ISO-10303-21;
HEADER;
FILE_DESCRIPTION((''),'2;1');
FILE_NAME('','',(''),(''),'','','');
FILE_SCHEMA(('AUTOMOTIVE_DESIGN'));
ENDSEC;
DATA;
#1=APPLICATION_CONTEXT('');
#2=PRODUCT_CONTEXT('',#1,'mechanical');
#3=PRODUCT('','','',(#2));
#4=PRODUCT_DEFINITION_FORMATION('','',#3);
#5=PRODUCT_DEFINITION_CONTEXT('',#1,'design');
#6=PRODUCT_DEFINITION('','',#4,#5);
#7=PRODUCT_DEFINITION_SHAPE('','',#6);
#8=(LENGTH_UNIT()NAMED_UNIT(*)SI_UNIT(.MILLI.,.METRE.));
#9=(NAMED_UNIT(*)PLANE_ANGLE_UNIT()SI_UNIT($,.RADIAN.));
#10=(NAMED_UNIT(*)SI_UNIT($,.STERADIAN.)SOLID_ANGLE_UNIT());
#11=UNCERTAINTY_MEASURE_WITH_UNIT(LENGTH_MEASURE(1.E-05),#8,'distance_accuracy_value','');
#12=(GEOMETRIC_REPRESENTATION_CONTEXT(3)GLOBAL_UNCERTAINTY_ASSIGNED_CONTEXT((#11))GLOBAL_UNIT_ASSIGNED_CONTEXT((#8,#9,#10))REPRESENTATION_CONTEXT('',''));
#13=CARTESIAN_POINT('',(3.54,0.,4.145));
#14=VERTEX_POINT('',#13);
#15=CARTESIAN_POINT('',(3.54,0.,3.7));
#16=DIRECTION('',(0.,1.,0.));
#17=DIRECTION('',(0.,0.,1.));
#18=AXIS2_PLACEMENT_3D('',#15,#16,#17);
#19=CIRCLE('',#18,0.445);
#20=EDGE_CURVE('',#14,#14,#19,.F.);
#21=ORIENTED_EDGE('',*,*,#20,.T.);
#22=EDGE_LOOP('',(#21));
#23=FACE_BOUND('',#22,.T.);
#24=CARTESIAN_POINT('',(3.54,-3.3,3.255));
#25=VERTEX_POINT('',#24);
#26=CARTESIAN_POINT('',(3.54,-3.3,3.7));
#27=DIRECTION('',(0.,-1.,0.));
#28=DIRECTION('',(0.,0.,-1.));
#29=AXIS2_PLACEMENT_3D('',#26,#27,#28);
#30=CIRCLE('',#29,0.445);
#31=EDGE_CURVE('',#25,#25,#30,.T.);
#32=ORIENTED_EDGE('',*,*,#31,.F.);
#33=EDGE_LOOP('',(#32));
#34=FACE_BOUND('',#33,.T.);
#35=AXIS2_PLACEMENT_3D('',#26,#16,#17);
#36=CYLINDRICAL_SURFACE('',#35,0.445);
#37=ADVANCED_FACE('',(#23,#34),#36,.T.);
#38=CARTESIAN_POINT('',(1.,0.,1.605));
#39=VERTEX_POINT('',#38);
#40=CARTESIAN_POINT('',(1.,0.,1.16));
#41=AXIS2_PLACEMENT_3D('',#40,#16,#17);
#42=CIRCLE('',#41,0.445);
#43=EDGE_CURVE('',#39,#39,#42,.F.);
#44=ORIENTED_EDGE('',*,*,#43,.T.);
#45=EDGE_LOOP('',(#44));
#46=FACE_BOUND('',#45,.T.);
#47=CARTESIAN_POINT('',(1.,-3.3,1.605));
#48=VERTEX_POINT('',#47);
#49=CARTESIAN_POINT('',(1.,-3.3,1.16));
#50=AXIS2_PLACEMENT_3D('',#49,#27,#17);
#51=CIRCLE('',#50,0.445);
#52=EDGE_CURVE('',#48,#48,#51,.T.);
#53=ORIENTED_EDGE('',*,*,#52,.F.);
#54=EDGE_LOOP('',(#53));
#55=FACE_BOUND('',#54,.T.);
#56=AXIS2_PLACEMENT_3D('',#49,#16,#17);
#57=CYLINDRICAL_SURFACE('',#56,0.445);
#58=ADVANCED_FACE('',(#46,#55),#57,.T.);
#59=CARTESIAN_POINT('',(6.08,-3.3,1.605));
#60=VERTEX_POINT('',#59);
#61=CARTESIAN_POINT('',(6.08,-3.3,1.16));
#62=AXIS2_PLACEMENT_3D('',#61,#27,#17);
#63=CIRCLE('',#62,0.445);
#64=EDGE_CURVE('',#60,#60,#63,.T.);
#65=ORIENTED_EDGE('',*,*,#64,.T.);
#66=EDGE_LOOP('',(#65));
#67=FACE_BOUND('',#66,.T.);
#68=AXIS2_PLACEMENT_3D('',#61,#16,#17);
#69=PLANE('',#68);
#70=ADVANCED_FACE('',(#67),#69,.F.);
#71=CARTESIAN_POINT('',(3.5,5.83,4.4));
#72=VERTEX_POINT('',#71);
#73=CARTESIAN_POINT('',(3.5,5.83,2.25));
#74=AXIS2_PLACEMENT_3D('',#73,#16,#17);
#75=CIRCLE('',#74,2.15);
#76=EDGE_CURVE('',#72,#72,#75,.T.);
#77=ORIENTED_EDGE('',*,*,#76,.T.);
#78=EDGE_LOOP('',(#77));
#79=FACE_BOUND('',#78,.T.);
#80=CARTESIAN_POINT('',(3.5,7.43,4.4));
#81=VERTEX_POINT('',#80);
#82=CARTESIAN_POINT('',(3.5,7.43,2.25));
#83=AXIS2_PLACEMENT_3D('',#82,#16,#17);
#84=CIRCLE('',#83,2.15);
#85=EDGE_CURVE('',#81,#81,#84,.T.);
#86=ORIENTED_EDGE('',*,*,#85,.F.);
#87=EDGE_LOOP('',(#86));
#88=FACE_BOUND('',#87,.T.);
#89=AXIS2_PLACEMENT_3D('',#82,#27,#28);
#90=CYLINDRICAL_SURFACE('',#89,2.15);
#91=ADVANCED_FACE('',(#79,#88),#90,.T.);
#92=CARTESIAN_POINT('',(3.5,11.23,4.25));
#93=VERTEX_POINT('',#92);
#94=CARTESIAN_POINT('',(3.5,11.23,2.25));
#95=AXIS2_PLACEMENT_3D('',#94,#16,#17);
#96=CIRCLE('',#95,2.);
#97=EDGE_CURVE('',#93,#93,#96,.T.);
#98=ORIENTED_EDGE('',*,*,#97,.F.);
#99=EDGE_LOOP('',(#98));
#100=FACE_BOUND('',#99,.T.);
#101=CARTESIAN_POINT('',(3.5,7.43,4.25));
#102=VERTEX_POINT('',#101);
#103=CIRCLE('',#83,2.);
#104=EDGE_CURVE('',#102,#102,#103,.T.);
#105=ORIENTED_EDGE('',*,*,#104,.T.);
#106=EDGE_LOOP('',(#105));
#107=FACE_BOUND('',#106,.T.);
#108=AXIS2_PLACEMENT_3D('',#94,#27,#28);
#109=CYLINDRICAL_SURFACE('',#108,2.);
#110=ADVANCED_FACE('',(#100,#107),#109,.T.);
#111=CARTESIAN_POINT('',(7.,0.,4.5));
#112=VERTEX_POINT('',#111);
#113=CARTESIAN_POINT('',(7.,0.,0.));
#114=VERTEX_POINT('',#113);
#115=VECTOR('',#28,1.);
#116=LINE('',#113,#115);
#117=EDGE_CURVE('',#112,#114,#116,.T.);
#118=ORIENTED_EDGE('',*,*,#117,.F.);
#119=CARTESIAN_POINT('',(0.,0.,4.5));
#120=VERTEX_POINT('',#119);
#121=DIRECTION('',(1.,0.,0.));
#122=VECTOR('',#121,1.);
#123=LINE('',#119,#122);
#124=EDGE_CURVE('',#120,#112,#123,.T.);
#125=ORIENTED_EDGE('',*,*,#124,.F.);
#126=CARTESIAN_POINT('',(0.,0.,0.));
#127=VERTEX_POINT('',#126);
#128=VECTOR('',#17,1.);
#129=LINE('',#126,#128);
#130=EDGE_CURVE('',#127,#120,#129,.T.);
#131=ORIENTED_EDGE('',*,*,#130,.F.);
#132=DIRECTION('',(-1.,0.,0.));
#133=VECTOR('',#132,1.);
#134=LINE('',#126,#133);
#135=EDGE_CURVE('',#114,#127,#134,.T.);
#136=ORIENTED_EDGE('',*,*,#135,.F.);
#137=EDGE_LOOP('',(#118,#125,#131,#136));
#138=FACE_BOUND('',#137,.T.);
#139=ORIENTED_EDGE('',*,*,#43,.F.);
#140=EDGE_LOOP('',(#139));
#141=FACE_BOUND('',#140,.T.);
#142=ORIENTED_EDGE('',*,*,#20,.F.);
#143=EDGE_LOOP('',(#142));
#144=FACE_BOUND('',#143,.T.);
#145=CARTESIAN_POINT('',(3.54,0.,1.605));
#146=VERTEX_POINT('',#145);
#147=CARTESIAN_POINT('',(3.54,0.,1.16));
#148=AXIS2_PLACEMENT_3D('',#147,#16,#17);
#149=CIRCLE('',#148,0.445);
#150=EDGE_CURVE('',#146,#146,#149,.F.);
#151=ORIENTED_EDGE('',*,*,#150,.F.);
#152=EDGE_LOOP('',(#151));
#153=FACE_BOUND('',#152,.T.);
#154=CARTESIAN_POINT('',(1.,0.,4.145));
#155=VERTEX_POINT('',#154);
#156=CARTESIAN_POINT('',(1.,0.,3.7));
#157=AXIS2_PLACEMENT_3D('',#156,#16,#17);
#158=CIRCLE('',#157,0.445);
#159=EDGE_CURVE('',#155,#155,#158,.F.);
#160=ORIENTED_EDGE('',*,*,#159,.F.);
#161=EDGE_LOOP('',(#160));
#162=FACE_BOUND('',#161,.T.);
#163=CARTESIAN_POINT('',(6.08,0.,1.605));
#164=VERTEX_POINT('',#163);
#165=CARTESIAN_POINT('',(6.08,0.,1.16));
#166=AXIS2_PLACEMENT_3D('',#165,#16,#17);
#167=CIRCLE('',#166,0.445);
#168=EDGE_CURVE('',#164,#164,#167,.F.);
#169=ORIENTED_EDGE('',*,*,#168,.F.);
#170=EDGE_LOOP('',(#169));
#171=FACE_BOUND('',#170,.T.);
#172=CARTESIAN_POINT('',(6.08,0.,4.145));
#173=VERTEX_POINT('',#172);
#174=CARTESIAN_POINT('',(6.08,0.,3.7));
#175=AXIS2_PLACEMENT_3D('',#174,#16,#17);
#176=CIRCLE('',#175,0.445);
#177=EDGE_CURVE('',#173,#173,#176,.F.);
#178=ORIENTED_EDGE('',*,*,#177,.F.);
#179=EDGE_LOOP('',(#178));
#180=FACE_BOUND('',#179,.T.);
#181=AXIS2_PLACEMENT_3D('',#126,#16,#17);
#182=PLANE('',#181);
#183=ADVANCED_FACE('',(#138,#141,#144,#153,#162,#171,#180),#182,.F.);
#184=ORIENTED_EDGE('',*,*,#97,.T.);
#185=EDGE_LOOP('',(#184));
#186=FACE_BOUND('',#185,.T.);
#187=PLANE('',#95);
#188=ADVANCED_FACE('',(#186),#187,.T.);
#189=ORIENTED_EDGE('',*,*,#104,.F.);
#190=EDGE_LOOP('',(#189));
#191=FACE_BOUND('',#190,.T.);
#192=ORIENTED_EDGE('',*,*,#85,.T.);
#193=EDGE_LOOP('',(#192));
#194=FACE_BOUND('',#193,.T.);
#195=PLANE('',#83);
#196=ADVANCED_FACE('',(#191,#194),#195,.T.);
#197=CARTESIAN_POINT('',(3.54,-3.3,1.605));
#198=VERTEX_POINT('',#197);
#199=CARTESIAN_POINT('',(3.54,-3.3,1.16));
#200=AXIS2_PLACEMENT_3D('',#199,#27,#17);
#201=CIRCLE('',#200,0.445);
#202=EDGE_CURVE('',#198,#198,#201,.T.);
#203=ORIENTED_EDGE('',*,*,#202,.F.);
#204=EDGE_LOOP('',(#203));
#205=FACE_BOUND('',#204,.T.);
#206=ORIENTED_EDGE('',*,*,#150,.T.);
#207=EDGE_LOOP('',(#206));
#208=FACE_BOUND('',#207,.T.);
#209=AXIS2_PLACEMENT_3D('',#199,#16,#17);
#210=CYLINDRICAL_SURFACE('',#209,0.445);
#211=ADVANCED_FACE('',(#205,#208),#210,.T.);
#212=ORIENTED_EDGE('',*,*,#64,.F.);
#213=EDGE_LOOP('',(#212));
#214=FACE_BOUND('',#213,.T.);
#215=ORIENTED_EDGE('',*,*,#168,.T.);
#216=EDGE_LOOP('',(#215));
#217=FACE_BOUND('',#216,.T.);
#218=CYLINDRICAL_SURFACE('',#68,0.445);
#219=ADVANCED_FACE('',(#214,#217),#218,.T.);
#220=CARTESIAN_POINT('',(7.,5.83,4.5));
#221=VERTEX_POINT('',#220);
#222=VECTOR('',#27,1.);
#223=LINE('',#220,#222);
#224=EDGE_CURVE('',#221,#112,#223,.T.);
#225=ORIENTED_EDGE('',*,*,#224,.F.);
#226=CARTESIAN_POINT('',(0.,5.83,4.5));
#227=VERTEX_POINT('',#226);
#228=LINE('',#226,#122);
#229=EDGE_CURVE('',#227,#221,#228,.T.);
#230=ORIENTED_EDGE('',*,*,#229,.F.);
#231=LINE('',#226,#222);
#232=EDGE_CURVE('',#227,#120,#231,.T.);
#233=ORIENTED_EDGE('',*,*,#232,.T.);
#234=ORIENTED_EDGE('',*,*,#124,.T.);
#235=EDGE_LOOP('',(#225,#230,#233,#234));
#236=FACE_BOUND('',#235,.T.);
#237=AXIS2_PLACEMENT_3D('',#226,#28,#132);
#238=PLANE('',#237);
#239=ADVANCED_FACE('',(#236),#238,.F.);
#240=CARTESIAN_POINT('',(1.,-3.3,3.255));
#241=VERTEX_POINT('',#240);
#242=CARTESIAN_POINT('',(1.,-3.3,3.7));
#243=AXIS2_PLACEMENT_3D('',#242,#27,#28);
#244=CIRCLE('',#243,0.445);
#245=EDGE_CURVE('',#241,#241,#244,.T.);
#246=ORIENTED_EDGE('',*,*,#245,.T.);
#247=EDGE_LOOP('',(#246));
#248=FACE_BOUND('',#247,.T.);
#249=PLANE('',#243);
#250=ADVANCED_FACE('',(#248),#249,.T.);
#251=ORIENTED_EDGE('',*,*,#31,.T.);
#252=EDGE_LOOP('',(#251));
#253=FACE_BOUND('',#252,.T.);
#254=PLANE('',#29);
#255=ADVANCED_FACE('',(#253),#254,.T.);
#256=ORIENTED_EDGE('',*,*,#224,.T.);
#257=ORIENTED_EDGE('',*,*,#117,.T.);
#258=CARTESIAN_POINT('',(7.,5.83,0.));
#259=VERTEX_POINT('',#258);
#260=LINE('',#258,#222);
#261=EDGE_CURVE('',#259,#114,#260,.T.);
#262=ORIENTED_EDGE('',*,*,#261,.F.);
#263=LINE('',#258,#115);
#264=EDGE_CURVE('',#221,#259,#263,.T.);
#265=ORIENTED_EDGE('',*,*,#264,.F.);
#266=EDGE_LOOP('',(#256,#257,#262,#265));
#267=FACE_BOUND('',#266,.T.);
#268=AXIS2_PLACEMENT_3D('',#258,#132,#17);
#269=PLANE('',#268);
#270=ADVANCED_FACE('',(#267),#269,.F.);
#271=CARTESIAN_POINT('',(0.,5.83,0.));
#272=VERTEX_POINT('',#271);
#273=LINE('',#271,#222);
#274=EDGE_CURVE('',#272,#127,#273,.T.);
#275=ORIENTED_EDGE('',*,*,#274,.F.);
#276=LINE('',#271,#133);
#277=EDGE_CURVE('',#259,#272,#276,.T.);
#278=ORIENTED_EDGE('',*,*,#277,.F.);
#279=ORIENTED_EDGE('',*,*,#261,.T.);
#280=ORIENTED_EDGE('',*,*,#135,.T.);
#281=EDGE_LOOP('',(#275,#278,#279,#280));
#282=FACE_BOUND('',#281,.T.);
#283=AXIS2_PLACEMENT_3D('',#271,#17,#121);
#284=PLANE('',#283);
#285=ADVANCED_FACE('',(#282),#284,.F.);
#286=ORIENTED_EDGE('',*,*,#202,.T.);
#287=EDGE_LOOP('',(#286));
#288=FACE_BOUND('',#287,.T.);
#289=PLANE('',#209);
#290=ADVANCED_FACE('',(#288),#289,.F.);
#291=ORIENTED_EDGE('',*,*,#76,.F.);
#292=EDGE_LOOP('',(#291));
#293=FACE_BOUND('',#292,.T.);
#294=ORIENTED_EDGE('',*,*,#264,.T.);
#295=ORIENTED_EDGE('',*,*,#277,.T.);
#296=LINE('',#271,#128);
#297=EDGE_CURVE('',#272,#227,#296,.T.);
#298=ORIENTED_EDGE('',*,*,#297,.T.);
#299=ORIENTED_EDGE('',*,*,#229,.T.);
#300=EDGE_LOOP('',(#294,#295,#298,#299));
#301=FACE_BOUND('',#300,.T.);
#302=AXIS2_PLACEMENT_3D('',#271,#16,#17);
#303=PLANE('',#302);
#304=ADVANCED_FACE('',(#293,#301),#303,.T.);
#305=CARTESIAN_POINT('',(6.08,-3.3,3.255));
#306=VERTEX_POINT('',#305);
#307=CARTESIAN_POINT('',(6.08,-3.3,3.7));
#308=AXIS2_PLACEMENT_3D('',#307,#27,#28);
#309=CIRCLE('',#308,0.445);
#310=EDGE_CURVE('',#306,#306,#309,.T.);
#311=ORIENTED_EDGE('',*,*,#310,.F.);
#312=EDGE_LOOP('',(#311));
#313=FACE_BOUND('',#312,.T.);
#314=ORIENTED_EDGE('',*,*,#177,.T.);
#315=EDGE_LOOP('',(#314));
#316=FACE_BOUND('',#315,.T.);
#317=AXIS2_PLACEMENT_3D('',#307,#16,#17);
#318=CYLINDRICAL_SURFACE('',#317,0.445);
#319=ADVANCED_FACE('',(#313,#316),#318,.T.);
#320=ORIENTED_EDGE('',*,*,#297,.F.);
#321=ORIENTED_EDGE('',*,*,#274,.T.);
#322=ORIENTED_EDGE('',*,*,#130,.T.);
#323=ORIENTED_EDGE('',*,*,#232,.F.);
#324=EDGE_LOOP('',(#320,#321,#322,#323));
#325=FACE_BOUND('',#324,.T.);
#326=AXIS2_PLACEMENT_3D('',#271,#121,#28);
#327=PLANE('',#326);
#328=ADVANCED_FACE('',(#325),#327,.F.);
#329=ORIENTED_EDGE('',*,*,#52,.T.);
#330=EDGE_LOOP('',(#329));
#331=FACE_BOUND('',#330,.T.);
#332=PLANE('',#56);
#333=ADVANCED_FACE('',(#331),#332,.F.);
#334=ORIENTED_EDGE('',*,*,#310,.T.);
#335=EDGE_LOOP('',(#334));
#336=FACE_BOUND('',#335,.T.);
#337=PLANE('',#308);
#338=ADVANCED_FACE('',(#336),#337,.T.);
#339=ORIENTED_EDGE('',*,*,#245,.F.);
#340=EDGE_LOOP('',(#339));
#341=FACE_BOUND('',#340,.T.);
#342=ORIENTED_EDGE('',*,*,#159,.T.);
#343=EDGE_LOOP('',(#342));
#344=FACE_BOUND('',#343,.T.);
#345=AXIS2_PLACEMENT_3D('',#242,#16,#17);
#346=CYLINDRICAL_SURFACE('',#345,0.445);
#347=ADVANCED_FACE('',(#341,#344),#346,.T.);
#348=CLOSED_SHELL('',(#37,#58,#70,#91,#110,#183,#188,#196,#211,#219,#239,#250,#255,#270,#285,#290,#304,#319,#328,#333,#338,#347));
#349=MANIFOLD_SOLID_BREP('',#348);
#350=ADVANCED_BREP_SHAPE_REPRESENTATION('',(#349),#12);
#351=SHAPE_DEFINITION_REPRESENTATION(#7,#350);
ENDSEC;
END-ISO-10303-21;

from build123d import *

# Parameters (mm, degrees)
SKETCH1_W           = 7
SKETCH1_H           = 4.5
BOSS_EXTRUDE1_DEPTH = 5.83
SKETCH2_R           = 2.15
BOSS_EXTRUDE2_DEPTH = 1.6
SKETCH3_R           = 2
BOSS_EXTRUDE3_DEPTH = 3.8
SKETCH4_R           = 0.445
BOSS_EXTRUDE4_DEPTH = 3.3


with BuildPart() as part:
    # Sketch1 → Boss-Extrude1 (new body)
    with BuildSketch(Plane(origin=(0, 0, 0), x_dir=(1, 0, 0), z_dir=(0, 1, 0))):
        with Locations((3.5, -2.25)):
            Rectangle(SKETCH1_W, SKETCH1_H)
    extrude(amount=BOSS_EXTRUDE1_DEPTH)

    # Sketch2 → Boss-Extrude2 (add)
    with BuildSketch(Plane(origin=(0, 5.83, 0), x_dir=(1, 0, 0), z_dir=(0, 1, 0))):
        with Locations((3.5, -2.25)):
            Circle(SKETCH2_R)
    extrude(amount=BOSS_EXTRUDE2_DEPTH)

    # Sketch3 → Boss-Extrude3 (add)
    with BuildSketch(Plane(origin=(0, 7.43, 0), x_dir=(1, 0, 0), z_dir=(0, 1, 0))):
        with Locations((3.5, -2.25)):
            Circle(SKETCH3_R)
    extrude(amount=BOSS_EXTRUDE3_DEPTH)

    # Sketch4 → Boss-Extrude4 (add)
    with BuildSketch(Plane.XZ):
        with Locations((1, 3.7)):
            Circle(SKETCH4_R)
        with Locations((3.54, 3.7)):
            Circle(SKETCH4_R)
        with Locations((6.08, 3.7)):
            Circle(SKETCH4_R)
        with Locations((6.08, 1.16)):
            Circle(SKETCH4_R)
        with Locations((3.54, 1.16)):
            Circle(SKETCH4_R)
        with Locations((1, 1.16)):
            Circle(SKETCH4_R)
    extrude(amount=BOSS_EXTRUDE4_DEPTH)


solid = part.part
